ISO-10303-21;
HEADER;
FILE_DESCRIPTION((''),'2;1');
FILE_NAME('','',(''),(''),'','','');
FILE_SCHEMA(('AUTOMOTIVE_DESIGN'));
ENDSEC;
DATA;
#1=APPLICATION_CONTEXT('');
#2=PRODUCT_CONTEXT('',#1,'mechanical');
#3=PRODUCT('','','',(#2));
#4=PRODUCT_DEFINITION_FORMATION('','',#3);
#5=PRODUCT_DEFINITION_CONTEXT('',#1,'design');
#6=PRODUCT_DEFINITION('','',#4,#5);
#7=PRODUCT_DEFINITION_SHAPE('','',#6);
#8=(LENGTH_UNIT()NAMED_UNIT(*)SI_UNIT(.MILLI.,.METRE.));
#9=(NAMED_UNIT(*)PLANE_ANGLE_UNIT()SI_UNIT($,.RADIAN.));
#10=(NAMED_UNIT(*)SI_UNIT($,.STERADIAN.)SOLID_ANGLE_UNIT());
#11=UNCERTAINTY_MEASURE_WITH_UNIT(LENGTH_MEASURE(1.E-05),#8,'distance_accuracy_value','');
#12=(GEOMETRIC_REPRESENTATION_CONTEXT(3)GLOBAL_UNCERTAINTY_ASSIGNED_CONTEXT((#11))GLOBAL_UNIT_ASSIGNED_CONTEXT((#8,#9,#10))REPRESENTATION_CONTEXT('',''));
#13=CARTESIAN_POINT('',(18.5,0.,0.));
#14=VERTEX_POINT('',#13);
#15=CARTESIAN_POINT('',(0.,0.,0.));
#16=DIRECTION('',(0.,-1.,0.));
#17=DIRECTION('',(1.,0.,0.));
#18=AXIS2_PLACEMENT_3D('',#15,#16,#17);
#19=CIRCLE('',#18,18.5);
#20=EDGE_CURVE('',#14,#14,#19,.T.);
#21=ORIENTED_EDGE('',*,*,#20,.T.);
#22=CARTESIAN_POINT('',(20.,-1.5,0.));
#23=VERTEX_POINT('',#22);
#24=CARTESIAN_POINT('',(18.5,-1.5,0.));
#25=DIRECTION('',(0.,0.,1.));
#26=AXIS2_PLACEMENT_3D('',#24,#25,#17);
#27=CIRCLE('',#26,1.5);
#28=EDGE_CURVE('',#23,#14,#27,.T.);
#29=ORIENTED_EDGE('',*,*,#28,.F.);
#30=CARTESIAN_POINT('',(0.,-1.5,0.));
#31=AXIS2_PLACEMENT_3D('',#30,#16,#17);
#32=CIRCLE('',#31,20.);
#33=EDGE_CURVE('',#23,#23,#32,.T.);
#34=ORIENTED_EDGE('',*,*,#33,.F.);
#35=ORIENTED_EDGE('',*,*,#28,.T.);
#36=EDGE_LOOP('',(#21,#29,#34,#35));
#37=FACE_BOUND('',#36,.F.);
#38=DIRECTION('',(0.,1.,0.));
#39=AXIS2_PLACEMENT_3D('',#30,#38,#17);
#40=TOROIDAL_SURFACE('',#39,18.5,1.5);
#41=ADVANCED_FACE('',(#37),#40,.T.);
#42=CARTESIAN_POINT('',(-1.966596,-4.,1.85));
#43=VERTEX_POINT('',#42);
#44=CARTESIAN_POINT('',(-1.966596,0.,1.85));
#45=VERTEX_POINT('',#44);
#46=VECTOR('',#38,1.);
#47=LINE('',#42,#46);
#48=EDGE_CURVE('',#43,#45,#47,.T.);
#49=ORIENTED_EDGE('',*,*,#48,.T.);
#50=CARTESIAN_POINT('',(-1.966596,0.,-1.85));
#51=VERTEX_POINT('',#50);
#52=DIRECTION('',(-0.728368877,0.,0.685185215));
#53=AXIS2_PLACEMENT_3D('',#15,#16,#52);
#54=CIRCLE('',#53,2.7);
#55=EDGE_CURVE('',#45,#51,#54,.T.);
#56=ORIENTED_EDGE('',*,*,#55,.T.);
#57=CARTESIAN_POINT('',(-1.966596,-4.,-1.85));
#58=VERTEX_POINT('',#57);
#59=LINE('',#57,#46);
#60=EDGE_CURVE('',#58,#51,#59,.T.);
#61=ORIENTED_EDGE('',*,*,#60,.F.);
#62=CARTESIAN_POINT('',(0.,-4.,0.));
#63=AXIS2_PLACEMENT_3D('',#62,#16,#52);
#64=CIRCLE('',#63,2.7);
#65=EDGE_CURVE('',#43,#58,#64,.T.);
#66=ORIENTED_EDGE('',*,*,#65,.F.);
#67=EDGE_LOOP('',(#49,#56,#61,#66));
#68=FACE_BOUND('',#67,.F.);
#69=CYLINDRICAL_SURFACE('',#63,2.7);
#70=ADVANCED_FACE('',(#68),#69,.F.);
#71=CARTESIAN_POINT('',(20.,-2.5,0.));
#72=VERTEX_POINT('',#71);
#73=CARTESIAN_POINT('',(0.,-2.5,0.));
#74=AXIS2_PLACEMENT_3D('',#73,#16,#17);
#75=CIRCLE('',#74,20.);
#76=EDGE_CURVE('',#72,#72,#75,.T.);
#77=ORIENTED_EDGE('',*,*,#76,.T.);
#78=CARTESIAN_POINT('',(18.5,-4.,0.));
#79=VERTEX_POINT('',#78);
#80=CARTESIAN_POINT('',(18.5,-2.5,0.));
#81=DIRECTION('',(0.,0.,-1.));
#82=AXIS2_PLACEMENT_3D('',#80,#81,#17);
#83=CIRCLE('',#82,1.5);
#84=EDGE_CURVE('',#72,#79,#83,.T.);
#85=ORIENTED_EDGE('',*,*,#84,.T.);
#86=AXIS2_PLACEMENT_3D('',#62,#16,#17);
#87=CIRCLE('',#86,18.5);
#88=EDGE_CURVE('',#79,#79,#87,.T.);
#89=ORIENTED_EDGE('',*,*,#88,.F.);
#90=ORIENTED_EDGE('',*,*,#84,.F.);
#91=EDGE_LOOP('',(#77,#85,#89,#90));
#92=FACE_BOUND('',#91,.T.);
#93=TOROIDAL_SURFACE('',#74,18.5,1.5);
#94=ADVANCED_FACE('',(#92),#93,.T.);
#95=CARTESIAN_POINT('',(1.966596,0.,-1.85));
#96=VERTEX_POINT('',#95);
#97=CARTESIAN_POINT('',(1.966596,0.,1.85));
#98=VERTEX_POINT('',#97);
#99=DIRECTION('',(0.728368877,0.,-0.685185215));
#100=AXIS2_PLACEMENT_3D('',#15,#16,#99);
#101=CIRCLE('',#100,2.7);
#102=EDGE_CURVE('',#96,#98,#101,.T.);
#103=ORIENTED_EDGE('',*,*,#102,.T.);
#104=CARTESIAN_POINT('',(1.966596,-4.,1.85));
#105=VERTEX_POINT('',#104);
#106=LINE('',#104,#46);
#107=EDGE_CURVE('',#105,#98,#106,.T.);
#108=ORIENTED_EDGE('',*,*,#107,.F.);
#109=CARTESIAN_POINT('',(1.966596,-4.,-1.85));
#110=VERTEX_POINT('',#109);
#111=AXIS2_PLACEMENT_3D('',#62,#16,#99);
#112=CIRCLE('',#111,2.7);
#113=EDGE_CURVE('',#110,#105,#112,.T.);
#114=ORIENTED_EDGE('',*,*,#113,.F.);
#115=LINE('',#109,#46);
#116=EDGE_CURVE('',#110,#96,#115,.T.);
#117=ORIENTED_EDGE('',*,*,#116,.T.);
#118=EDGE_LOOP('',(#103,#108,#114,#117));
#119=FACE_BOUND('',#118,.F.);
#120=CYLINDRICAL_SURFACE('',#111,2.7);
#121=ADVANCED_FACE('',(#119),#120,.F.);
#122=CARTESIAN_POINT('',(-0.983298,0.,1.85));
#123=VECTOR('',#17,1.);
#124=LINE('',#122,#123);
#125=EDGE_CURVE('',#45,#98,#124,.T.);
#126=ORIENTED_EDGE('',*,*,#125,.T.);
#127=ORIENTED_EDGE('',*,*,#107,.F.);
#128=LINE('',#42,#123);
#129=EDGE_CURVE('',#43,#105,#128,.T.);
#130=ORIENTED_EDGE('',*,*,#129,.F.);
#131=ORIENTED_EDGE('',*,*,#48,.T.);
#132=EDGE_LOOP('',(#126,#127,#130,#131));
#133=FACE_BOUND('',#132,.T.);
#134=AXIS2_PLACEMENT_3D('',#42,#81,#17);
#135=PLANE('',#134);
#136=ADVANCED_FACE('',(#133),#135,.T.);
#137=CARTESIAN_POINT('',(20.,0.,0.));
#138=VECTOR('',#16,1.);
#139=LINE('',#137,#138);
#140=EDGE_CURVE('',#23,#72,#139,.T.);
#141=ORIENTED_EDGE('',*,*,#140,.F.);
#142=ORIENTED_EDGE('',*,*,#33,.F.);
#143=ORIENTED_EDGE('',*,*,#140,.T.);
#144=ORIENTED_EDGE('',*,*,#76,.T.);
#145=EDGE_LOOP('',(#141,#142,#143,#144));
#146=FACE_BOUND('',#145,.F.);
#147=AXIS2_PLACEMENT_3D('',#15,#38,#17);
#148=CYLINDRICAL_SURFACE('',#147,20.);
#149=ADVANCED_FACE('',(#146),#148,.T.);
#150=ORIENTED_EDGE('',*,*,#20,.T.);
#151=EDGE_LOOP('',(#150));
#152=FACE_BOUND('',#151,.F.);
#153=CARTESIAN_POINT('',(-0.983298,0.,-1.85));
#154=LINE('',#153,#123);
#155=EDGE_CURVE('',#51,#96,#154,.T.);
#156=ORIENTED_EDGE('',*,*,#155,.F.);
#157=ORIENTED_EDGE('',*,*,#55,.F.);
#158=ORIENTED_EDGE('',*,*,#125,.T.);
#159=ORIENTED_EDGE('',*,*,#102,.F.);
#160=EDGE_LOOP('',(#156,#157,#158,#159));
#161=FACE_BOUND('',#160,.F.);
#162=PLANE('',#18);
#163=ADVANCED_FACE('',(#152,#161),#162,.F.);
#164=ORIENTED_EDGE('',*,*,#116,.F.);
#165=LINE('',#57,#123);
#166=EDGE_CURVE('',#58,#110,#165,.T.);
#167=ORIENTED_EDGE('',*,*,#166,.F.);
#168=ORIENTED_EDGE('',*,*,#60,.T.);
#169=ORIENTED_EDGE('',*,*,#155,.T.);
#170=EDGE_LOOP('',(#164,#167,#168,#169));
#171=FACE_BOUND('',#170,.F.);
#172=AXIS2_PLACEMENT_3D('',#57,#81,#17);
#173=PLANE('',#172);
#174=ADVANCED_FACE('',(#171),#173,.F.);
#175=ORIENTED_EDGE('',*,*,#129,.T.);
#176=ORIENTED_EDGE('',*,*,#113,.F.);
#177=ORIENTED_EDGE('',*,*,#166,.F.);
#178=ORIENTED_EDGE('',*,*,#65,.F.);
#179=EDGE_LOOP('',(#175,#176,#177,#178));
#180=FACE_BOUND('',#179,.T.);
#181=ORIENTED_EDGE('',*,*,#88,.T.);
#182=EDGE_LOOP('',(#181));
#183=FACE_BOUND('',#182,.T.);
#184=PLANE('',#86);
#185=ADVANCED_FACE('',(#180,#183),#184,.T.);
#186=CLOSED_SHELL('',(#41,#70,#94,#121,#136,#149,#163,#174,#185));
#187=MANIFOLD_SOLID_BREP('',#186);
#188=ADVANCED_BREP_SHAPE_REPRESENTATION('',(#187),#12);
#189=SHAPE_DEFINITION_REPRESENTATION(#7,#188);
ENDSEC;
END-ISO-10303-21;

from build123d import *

# Parameters (mm, degrees)
SKETCH_R     = 20
PAD_DEPTH    = 4
FILLET_R     = 1.5
POCKET_DEPTH = 4.001


with BuildPart() as part:
    # Sketch → Pad (new body)
    with BuildSketch(Plane.XZ):
        Circle(SKETCH_R)
    extrude(amount=PAD_DEPTH)

    # Fillet
    fillet_edges = [part.edges().sort_by_distance(p)[0] for p in [
        (-20, -4, 0),
        (-20, 0, 0),
    ]]
    fillet(fillet_edges, radius=FILLET_R)

    # Sketch001 (on Face5 of Fillet) → Pocket (cut, through all)
    with BuildSketch(Plane.XZ.offset(4)):
        with BuildLine():
            ThreePointArc((-1.966596, 1.85), (-2.7, 0), (-1.966596, -1.85))
            Line((-1.966596, -1.85), (1.966596, -1.85))
            ThreePointArc((1.966596, -1.85), (2.7, 0), (1.966596, 1.85))
            Line((-1.966596, 1.85), (1.966596, 1.85))
        make_face()
    extrude(amount=-POCKET_DEPTH, mode=Mode.SUBTRACT)


solid = part.part
